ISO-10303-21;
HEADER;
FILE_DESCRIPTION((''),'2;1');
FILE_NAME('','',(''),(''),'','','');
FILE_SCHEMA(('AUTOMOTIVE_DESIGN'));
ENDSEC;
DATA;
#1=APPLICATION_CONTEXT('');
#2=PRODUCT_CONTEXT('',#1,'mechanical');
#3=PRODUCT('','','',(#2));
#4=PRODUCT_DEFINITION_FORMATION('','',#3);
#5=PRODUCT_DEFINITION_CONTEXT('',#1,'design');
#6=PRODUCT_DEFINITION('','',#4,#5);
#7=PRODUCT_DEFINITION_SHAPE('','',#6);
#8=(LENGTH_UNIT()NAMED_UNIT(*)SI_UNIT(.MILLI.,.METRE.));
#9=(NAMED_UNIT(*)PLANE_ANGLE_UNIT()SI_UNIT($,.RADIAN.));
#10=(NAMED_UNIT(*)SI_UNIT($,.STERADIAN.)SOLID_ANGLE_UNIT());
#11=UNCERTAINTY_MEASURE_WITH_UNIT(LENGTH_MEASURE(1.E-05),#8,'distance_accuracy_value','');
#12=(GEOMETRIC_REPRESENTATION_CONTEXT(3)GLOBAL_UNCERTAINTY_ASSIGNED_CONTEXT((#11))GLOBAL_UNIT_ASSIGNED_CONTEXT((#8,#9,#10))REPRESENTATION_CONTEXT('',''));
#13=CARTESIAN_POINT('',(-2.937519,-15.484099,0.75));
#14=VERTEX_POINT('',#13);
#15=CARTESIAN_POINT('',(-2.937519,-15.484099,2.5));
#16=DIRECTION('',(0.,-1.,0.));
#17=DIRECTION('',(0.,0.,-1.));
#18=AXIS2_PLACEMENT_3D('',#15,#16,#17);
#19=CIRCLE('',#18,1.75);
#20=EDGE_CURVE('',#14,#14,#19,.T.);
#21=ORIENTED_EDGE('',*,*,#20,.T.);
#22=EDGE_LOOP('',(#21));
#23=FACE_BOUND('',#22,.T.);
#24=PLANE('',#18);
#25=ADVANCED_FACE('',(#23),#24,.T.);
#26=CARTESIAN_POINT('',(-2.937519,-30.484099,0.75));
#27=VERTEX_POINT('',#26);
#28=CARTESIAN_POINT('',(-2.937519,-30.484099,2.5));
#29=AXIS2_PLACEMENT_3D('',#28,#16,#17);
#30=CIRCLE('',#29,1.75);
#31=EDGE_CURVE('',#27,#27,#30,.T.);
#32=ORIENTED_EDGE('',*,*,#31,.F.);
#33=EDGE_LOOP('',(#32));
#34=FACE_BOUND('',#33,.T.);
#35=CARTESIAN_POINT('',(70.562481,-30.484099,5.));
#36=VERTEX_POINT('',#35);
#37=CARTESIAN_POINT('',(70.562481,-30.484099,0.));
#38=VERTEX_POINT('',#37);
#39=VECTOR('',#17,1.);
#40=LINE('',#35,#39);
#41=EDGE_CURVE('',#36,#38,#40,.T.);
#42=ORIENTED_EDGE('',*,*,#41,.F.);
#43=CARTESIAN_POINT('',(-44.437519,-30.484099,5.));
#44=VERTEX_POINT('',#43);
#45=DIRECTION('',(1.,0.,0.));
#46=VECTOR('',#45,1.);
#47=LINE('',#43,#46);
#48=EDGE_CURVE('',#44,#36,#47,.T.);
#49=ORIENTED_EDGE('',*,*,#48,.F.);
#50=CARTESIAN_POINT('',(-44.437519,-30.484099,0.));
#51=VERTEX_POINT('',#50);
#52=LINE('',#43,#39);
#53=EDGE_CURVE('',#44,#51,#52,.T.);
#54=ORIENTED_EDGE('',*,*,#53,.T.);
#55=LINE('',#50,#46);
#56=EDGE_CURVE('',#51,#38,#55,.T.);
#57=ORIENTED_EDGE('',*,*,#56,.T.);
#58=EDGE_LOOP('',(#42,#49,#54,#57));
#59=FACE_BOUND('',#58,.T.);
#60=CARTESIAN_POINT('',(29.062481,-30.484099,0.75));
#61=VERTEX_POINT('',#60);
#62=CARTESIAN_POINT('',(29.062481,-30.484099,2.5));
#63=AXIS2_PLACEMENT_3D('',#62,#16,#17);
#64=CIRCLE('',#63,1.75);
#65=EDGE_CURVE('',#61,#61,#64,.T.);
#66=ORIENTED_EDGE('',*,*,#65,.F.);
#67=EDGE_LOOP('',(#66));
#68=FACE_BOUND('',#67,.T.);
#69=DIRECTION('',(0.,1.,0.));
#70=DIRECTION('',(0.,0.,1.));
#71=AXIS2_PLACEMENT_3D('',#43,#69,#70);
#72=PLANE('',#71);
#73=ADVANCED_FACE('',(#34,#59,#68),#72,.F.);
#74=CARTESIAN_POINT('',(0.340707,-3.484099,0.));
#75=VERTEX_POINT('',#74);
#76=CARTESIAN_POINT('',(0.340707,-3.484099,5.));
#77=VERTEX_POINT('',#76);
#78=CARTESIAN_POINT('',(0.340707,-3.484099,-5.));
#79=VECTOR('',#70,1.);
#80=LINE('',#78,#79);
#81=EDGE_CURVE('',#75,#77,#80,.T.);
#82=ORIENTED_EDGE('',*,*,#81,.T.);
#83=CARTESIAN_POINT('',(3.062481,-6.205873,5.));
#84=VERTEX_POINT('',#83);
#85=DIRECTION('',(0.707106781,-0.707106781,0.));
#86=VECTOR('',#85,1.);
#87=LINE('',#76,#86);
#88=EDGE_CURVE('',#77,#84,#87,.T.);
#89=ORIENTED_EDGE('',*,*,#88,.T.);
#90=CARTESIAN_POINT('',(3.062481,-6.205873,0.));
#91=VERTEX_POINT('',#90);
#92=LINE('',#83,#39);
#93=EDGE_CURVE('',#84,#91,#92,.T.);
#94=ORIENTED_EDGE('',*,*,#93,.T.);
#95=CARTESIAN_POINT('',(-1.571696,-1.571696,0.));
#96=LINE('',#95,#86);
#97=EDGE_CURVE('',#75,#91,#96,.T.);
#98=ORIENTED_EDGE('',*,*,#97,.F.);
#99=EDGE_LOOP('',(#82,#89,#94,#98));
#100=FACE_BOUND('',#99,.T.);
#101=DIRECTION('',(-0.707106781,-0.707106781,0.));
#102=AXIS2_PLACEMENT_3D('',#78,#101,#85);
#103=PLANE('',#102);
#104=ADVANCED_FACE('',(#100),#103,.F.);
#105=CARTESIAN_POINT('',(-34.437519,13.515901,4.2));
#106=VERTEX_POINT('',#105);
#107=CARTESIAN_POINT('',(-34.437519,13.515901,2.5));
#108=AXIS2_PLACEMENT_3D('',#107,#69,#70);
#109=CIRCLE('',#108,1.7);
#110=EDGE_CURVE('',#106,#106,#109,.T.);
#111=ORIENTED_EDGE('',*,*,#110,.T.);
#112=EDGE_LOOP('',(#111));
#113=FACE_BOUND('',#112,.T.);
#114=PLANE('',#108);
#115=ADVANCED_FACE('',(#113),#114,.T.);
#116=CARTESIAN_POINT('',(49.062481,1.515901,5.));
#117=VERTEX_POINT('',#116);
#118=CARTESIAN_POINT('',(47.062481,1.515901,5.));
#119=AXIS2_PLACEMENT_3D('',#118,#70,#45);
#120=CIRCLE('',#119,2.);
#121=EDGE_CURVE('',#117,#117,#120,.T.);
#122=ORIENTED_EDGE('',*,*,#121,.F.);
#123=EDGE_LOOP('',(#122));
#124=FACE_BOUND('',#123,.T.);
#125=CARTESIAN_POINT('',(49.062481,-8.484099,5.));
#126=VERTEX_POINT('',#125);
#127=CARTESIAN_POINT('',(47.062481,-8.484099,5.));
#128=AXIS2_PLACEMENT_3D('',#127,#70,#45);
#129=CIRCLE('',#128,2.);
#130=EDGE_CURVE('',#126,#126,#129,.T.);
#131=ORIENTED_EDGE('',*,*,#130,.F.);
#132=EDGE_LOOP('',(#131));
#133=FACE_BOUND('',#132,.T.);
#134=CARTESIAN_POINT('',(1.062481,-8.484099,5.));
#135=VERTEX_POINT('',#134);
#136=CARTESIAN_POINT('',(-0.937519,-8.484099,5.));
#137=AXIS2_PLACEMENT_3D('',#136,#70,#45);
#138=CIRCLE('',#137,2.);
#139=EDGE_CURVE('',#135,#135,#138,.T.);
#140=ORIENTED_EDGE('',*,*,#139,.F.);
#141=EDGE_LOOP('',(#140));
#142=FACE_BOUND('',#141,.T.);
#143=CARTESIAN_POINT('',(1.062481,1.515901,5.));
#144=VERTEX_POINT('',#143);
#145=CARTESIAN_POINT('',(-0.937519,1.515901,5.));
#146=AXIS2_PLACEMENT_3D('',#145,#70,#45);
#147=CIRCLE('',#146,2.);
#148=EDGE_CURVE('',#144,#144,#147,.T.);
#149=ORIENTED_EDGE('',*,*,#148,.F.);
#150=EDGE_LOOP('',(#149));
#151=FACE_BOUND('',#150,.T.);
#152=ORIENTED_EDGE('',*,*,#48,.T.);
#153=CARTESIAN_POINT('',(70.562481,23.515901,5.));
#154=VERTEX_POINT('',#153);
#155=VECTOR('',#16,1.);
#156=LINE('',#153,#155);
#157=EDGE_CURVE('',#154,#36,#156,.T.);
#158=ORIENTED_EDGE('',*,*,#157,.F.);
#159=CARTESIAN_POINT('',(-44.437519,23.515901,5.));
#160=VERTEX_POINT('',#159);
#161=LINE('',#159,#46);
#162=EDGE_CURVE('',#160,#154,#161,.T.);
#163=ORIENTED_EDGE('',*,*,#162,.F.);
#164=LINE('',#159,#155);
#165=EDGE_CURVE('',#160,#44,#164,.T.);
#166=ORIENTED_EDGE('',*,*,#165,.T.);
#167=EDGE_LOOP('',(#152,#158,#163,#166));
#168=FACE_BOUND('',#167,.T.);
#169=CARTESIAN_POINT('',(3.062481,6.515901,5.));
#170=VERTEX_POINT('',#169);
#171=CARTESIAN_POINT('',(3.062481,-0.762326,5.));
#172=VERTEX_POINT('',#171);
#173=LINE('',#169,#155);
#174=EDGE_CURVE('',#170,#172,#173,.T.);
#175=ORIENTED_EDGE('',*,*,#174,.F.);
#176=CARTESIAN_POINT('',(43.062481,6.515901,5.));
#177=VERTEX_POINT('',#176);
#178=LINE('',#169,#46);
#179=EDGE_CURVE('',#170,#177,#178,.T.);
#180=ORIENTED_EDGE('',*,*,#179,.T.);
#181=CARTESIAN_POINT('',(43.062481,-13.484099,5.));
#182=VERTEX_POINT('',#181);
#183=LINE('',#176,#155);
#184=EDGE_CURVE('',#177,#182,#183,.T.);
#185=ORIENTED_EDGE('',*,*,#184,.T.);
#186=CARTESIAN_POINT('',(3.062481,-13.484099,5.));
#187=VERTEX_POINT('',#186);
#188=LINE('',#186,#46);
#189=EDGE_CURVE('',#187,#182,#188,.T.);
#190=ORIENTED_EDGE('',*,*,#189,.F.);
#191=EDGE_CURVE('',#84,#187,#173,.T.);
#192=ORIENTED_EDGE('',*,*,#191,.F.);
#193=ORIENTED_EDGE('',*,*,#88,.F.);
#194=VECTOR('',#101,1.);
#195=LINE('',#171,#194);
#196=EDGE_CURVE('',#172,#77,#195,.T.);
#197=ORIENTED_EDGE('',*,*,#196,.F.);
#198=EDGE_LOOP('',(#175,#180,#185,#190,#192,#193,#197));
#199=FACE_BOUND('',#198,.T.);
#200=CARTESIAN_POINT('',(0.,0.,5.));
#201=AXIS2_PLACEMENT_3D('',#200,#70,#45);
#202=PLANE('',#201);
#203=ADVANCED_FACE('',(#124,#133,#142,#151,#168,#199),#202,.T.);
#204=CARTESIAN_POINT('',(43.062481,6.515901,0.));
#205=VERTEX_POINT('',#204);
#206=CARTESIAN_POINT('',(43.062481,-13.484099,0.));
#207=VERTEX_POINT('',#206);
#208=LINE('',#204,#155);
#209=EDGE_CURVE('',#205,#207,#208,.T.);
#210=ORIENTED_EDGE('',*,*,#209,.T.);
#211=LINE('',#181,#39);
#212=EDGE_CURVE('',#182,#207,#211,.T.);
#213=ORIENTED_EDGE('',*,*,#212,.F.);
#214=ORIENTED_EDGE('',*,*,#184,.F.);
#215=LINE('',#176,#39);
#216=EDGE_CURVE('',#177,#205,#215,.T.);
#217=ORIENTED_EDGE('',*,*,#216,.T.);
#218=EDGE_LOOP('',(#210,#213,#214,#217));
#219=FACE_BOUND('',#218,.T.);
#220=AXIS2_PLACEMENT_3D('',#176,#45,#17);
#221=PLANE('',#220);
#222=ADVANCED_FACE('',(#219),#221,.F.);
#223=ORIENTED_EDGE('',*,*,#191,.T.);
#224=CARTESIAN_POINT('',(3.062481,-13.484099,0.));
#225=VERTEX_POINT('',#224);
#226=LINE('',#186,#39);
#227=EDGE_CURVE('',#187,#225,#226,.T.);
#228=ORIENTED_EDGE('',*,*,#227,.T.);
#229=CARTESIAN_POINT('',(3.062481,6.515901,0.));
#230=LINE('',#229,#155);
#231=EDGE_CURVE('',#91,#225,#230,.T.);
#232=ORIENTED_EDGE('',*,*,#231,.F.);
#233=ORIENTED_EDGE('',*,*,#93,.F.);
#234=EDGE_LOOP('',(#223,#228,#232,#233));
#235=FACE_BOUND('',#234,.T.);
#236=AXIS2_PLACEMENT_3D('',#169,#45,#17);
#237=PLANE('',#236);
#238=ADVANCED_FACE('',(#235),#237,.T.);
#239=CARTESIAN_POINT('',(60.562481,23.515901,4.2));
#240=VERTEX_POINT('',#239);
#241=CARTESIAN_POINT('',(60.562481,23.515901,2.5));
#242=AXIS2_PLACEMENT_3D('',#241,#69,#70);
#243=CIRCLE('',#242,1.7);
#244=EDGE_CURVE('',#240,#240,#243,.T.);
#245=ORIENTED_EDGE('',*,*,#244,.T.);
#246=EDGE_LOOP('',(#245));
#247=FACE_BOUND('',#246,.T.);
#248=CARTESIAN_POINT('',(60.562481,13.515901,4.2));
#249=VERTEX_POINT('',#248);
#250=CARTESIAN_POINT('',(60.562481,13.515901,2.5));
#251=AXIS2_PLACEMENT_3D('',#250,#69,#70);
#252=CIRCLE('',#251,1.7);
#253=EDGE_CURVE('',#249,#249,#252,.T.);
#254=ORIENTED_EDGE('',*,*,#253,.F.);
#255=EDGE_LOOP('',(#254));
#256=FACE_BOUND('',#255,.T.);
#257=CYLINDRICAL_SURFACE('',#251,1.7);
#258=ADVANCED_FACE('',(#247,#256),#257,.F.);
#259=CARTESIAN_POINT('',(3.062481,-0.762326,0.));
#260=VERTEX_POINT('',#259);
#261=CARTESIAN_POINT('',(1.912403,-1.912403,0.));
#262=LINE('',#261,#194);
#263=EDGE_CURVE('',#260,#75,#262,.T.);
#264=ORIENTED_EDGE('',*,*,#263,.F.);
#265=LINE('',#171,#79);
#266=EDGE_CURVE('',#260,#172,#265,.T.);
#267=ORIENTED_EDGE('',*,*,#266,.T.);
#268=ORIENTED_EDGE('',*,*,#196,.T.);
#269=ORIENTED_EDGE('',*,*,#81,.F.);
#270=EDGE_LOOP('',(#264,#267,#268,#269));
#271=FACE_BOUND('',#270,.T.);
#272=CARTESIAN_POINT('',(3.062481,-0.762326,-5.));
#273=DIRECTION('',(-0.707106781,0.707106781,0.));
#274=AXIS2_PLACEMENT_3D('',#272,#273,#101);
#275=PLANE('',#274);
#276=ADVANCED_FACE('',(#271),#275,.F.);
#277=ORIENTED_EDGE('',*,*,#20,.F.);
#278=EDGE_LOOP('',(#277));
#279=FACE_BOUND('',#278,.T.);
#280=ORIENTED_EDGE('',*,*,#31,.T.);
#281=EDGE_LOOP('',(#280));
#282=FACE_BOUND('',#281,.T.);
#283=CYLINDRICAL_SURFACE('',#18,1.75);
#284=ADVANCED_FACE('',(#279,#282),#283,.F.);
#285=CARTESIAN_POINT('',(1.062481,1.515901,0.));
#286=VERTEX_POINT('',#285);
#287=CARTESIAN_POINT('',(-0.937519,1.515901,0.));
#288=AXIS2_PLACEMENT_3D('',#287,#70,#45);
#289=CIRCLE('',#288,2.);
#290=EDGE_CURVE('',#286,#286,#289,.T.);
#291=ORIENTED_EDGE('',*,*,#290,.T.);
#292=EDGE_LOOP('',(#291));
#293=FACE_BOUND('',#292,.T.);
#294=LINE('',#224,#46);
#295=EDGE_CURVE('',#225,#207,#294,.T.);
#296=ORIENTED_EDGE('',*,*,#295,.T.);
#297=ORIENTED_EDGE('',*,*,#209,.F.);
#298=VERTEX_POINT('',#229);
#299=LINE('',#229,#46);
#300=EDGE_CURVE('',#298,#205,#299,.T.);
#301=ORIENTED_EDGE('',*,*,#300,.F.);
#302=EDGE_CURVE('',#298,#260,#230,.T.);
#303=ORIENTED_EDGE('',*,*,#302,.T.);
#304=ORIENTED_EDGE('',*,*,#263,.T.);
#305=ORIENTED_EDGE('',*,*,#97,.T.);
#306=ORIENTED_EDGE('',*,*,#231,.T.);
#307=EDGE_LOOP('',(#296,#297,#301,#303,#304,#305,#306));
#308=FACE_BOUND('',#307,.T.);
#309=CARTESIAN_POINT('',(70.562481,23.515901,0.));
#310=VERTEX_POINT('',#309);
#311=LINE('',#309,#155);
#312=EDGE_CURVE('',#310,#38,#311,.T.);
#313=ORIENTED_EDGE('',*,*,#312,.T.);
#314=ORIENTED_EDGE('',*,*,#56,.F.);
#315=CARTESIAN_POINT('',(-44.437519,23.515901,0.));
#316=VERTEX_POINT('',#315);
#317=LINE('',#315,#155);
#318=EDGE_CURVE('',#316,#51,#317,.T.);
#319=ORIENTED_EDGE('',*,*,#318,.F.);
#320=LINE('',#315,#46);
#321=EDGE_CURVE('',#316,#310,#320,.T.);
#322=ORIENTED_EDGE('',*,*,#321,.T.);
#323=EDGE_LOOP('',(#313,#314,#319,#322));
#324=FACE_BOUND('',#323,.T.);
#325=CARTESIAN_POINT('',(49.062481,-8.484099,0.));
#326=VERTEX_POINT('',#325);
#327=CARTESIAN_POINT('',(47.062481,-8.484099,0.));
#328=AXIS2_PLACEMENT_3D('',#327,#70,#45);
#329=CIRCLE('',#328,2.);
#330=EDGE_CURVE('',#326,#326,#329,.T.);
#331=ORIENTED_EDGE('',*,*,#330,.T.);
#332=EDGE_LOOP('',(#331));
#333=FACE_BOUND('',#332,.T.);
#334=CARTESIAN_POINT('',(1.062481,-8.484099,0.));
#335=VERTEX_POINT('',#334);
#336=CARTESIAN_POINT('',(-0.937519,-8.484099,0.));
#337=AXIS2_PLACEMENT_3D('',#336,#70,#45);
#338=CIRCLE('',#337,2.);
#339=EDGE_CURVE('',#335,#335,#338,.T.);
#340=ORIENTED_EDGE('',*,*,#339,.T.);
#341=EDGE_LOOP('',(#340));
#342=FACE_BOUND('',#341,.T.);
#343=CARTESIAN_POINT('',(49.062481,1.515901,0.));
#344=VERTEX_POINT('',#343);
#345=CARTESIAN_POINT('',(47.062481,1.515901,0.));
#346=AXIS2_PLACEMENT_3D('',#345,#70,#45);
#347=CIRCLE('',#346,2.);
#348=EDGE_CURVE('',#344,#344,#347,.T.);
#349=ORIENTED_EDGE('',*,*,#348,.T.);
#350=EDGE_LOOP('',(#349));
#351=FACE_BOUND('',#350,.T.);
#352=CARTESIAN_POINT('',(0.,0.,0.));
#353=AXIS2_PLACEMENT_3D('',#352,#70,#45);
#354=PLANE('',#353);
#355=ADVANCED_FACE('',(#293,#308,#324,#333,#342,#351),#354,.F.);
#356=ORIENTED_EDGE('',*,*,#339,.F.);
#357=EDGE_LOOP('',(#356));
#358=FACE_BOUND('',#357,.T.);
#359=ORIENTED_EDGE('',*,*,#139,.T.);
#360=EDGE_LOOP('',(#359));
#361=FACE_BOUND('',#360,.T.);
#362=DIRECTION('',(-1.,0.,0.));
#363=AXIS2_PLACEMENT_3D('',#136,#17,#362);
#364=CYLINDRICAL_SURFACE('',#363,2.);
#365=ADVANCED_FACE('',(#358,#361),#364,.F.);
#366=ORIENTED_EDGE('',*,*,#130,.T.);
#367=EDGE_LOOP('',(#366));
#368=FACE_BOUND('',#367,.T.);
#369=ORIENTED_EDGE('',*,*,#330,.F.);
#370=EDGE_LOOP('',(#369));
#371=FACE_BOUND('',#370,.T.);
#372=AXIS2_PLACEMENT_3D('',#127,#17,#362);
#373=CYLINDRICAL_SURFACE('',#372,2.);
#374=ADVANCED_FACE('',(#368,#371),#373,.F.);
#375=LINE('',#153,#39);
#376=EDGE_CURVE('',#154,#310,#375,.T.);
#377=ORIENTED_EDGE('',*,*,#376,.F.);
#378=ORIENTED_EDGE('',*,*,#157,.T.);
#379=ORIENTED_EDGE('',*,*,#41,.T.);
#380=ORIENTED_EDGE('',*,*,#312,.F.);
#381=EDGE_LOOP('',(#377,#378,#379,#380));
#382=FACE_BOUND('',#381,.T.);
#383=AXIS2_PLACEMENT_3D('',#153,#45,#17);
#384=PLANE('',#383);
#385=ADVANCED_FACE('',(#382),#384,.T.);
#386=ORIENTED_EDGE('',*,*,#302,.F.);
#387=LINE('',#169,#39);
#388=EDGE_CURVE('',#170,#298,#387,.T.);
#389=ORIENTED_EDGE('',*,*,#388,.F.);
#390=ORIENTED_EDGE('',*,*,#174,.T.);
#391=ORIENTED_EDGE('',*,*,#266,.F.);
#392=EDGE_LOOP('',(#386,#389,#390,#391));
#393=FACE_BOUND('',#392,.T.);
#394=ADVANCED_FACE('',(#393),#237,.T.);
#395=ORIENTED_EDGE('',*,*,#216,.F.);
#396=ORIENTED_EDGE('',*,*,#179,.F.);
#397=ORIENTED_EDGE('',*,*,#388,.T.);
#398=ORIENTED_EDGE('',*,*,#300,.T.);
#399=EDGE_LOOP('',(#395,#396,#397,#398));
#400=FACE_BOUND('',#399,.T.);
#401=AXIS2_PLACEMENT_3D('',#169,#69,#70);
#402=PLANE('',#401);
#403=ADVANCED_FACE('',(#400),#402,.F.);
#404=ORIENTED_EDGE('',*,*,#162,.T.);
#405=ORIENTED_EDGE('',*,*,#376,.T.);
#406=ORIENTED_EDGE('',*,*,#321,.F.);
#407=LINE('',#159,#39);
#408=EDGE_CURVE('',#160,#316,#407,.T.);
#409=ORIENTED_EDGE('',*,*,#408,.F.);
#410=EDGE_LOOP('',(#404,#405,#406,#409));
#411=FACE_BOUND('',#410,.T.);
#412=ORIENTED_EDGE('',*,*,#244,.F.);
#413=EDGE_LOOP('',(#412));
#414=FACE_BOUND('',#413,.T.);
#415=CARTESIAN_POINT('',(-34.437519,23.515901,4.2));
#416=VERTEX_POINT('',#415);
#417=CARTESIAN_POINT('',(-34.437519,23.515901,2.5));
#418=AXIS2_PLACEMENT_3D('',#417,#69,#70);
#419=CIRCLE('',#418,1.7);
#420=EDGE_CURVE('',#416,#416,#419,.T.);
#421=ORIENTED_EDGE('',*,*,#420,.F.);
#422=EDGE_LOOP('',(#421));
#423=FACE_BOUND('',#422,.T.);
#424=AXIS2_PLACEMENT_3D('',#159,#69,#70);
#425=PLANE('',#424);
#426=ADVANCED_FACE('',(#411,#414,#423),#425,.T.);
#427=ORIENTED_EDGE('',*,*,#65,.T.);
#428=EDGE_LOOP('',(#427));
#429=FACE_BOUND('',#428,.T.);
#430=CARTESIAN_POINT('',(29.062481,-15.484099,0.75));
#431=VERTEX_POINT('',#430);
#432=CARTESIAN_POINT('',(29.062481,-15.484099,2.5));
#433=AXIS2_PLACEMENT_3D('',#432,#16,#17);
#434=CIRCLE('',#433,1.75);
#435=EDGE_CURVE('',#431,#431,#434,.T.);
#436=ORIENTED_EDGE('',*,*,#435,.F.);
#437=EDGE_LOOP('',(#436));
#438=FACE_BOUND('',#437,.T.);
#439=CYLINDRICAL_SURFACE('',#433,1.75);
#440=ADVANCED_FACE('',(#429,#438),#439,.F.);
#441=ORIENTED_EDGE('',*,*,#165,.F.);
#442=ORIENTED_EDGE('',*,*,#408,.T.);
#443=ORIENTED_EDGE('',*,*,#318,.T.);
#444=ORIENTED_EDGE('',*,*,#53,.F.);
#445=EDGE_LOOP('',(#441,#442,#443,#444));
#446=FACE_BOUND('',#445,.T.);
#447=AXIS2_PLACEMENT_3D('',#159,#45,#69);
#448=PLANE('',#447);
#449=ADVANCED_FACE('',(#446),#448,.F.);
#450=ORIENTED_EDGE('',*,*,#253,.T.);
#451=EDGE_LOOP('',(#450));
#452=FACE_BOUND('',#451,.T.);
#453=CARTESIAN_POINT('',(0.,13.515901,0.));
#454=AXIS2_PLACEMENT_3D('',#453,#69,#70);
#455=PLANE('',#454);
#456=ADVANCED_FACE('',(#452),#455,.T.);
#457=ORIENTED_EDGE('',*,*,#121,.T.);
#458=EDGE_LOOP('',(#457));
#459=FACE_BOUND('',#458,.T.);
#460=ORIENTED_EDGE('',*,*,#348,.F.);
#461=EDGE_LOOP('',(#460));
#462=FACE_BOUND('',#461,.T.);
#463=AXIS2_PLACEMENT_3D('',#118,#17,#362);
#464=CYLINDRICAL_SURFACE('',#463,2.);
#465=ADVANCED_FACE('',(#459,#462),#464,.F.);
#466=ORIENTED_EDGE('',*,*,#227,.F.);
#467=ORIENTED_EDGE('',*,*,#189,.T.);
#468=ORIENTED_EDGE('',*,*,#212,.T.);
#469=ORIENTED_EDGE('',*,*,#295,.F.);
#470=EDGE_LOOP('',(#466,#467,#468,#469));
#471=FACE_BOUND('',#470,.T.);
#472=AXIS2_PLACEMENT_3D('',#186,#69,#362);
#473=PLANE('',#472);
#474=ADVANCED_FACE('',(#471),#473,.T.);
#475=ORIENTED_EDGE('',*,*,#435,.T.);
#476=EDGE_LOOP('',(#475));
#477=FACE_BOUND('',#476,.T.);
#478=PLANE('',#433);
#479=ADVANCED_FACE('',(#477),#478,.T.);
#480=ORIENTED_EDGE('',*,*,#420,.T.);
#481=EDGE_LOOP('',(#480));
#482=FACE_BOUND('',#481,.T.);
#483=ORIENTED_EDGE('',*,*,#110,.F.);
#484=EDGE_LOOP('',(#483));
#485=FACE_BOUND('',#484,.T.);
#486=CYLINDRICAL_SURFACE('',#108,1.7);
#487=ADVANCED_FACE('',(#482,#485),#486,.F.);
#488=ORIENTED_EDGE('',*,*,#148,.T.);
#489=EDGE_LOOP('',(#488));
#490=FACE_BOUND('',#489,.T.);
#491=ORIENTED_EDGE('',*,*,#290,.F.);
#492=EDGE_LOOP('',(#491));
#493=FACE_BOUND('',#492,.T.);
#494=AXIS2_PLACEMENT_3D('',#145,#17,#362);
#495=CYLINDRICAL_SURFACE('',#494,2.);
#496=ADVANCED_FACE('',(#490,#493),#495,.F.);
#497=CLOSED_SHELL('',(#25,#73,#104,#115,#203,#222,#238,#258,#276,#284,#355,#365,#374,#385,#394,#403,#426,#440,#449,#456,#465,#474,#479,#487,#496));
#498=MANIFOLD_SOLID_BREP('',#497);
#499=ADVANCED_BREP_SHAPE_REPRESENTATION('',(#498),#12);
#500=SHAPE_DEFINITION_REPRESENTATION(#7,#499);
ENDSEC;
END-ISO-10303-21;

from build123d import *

# Parameters (mm, degrees)
SKETCH_1_W          = 115
SKETCH_1_H          = 54
SKETCH_1_R          = 2
SKETCH_1_W_2        = 40
SKETCH_1_H_2        = 20
EXTRUDE_3_DEPTH     = 5
SKETCH_3_R          = 1.75
CUT_EXTRUDE_2_DEPTH = 15
CUT_EXTRUDE_3_DEPTH = 10
SKETCH_5_R          = 1.7
CUT_EXTRUDE_4_DEPTH = 10


with BuildPart() as part:
    # 草圖1 → 填料-伸長3 (new body)
    with BuildSketch(Plane.XY):
        with Locations((13.062480584, -3.484099434)):
            Rectangle(SKETCH_1_W, SKETCH_1_H)
        with Locations((-0.937519416, -8.484099434)):
            Circle(SKETCH_1_R, mode=Mode.SUBTRACT)
        with Locations((47.062480584, -8.484099434)):
            Circle(SKETCH_1_R, mode=Mode.SUBTRACT)
        with Locations((-0.937519416, 1.515900566)):
            Circle(SKETCH_1_R, mode=Mode.SUBTRACT)
        with Locations((47.062480584, 1.515900566)):
            Circle(SKETCH_1_R, mode=Mode.SUBTRACT)
        with Locations((23.062480584, -3.484099434)):
            Rectangle(SKETCH_1_W_2, SKETCH_1_H_2, mode=Mode.SUBTRACT)
    extrude(amount=EXTRUDE_3_DEPTH)

    # 草圖3 → 除料-伸長2 (cut)
    with BuildSketch(Plane.XZ.offset(30.484099434)):
        with Locations(Location((29.062480584, 2.5, 0), (0, 0, 270))):
            Circle(SKETCH_3_R)
        with Locations(Location((-2.937519416, 2.5, 0), (0, 0, 270))):
            Circle(SKETCH_3_R)
    extrude(amount=-CUT_EXTRUDE_2_DEPTH, mode=Mode.SUBTRACT)

    # 草圖4 → 除料-伸長3 (cut)
    with BuildSketch(Plane.XY.offset(5)):
        Polygon((0.340707034, -3.484099434), (3.062480584, -6.205872984), (3.062480584, -0.762325884), align=None)
    extrude(amount=-CUT_EXTRUDE_3_DEPTH, mode=Mode.SUBTRACT)

    # 草圖5 → 除料-伸長4 (cut)
    with BuildSketch(Plane(origin=(0, 23.515900566, 0), x_dir=(1, 0, 0), z_dir=(0, 1, 0))):
        with Locations(Location((60.562480584, -2.5, 0), (0, 0, 270))):
            Circle(SKETCH_5_R)
        with Locations(Location((-34.437519416, -2.5, 0), (0, 0, 270))):
            Circle(SKETCH_5_R)
    extrude(amount=-CUT_EXTRUDE_4_DEPTH, mode=Mode.SUBTRACT)


solid = part.part
